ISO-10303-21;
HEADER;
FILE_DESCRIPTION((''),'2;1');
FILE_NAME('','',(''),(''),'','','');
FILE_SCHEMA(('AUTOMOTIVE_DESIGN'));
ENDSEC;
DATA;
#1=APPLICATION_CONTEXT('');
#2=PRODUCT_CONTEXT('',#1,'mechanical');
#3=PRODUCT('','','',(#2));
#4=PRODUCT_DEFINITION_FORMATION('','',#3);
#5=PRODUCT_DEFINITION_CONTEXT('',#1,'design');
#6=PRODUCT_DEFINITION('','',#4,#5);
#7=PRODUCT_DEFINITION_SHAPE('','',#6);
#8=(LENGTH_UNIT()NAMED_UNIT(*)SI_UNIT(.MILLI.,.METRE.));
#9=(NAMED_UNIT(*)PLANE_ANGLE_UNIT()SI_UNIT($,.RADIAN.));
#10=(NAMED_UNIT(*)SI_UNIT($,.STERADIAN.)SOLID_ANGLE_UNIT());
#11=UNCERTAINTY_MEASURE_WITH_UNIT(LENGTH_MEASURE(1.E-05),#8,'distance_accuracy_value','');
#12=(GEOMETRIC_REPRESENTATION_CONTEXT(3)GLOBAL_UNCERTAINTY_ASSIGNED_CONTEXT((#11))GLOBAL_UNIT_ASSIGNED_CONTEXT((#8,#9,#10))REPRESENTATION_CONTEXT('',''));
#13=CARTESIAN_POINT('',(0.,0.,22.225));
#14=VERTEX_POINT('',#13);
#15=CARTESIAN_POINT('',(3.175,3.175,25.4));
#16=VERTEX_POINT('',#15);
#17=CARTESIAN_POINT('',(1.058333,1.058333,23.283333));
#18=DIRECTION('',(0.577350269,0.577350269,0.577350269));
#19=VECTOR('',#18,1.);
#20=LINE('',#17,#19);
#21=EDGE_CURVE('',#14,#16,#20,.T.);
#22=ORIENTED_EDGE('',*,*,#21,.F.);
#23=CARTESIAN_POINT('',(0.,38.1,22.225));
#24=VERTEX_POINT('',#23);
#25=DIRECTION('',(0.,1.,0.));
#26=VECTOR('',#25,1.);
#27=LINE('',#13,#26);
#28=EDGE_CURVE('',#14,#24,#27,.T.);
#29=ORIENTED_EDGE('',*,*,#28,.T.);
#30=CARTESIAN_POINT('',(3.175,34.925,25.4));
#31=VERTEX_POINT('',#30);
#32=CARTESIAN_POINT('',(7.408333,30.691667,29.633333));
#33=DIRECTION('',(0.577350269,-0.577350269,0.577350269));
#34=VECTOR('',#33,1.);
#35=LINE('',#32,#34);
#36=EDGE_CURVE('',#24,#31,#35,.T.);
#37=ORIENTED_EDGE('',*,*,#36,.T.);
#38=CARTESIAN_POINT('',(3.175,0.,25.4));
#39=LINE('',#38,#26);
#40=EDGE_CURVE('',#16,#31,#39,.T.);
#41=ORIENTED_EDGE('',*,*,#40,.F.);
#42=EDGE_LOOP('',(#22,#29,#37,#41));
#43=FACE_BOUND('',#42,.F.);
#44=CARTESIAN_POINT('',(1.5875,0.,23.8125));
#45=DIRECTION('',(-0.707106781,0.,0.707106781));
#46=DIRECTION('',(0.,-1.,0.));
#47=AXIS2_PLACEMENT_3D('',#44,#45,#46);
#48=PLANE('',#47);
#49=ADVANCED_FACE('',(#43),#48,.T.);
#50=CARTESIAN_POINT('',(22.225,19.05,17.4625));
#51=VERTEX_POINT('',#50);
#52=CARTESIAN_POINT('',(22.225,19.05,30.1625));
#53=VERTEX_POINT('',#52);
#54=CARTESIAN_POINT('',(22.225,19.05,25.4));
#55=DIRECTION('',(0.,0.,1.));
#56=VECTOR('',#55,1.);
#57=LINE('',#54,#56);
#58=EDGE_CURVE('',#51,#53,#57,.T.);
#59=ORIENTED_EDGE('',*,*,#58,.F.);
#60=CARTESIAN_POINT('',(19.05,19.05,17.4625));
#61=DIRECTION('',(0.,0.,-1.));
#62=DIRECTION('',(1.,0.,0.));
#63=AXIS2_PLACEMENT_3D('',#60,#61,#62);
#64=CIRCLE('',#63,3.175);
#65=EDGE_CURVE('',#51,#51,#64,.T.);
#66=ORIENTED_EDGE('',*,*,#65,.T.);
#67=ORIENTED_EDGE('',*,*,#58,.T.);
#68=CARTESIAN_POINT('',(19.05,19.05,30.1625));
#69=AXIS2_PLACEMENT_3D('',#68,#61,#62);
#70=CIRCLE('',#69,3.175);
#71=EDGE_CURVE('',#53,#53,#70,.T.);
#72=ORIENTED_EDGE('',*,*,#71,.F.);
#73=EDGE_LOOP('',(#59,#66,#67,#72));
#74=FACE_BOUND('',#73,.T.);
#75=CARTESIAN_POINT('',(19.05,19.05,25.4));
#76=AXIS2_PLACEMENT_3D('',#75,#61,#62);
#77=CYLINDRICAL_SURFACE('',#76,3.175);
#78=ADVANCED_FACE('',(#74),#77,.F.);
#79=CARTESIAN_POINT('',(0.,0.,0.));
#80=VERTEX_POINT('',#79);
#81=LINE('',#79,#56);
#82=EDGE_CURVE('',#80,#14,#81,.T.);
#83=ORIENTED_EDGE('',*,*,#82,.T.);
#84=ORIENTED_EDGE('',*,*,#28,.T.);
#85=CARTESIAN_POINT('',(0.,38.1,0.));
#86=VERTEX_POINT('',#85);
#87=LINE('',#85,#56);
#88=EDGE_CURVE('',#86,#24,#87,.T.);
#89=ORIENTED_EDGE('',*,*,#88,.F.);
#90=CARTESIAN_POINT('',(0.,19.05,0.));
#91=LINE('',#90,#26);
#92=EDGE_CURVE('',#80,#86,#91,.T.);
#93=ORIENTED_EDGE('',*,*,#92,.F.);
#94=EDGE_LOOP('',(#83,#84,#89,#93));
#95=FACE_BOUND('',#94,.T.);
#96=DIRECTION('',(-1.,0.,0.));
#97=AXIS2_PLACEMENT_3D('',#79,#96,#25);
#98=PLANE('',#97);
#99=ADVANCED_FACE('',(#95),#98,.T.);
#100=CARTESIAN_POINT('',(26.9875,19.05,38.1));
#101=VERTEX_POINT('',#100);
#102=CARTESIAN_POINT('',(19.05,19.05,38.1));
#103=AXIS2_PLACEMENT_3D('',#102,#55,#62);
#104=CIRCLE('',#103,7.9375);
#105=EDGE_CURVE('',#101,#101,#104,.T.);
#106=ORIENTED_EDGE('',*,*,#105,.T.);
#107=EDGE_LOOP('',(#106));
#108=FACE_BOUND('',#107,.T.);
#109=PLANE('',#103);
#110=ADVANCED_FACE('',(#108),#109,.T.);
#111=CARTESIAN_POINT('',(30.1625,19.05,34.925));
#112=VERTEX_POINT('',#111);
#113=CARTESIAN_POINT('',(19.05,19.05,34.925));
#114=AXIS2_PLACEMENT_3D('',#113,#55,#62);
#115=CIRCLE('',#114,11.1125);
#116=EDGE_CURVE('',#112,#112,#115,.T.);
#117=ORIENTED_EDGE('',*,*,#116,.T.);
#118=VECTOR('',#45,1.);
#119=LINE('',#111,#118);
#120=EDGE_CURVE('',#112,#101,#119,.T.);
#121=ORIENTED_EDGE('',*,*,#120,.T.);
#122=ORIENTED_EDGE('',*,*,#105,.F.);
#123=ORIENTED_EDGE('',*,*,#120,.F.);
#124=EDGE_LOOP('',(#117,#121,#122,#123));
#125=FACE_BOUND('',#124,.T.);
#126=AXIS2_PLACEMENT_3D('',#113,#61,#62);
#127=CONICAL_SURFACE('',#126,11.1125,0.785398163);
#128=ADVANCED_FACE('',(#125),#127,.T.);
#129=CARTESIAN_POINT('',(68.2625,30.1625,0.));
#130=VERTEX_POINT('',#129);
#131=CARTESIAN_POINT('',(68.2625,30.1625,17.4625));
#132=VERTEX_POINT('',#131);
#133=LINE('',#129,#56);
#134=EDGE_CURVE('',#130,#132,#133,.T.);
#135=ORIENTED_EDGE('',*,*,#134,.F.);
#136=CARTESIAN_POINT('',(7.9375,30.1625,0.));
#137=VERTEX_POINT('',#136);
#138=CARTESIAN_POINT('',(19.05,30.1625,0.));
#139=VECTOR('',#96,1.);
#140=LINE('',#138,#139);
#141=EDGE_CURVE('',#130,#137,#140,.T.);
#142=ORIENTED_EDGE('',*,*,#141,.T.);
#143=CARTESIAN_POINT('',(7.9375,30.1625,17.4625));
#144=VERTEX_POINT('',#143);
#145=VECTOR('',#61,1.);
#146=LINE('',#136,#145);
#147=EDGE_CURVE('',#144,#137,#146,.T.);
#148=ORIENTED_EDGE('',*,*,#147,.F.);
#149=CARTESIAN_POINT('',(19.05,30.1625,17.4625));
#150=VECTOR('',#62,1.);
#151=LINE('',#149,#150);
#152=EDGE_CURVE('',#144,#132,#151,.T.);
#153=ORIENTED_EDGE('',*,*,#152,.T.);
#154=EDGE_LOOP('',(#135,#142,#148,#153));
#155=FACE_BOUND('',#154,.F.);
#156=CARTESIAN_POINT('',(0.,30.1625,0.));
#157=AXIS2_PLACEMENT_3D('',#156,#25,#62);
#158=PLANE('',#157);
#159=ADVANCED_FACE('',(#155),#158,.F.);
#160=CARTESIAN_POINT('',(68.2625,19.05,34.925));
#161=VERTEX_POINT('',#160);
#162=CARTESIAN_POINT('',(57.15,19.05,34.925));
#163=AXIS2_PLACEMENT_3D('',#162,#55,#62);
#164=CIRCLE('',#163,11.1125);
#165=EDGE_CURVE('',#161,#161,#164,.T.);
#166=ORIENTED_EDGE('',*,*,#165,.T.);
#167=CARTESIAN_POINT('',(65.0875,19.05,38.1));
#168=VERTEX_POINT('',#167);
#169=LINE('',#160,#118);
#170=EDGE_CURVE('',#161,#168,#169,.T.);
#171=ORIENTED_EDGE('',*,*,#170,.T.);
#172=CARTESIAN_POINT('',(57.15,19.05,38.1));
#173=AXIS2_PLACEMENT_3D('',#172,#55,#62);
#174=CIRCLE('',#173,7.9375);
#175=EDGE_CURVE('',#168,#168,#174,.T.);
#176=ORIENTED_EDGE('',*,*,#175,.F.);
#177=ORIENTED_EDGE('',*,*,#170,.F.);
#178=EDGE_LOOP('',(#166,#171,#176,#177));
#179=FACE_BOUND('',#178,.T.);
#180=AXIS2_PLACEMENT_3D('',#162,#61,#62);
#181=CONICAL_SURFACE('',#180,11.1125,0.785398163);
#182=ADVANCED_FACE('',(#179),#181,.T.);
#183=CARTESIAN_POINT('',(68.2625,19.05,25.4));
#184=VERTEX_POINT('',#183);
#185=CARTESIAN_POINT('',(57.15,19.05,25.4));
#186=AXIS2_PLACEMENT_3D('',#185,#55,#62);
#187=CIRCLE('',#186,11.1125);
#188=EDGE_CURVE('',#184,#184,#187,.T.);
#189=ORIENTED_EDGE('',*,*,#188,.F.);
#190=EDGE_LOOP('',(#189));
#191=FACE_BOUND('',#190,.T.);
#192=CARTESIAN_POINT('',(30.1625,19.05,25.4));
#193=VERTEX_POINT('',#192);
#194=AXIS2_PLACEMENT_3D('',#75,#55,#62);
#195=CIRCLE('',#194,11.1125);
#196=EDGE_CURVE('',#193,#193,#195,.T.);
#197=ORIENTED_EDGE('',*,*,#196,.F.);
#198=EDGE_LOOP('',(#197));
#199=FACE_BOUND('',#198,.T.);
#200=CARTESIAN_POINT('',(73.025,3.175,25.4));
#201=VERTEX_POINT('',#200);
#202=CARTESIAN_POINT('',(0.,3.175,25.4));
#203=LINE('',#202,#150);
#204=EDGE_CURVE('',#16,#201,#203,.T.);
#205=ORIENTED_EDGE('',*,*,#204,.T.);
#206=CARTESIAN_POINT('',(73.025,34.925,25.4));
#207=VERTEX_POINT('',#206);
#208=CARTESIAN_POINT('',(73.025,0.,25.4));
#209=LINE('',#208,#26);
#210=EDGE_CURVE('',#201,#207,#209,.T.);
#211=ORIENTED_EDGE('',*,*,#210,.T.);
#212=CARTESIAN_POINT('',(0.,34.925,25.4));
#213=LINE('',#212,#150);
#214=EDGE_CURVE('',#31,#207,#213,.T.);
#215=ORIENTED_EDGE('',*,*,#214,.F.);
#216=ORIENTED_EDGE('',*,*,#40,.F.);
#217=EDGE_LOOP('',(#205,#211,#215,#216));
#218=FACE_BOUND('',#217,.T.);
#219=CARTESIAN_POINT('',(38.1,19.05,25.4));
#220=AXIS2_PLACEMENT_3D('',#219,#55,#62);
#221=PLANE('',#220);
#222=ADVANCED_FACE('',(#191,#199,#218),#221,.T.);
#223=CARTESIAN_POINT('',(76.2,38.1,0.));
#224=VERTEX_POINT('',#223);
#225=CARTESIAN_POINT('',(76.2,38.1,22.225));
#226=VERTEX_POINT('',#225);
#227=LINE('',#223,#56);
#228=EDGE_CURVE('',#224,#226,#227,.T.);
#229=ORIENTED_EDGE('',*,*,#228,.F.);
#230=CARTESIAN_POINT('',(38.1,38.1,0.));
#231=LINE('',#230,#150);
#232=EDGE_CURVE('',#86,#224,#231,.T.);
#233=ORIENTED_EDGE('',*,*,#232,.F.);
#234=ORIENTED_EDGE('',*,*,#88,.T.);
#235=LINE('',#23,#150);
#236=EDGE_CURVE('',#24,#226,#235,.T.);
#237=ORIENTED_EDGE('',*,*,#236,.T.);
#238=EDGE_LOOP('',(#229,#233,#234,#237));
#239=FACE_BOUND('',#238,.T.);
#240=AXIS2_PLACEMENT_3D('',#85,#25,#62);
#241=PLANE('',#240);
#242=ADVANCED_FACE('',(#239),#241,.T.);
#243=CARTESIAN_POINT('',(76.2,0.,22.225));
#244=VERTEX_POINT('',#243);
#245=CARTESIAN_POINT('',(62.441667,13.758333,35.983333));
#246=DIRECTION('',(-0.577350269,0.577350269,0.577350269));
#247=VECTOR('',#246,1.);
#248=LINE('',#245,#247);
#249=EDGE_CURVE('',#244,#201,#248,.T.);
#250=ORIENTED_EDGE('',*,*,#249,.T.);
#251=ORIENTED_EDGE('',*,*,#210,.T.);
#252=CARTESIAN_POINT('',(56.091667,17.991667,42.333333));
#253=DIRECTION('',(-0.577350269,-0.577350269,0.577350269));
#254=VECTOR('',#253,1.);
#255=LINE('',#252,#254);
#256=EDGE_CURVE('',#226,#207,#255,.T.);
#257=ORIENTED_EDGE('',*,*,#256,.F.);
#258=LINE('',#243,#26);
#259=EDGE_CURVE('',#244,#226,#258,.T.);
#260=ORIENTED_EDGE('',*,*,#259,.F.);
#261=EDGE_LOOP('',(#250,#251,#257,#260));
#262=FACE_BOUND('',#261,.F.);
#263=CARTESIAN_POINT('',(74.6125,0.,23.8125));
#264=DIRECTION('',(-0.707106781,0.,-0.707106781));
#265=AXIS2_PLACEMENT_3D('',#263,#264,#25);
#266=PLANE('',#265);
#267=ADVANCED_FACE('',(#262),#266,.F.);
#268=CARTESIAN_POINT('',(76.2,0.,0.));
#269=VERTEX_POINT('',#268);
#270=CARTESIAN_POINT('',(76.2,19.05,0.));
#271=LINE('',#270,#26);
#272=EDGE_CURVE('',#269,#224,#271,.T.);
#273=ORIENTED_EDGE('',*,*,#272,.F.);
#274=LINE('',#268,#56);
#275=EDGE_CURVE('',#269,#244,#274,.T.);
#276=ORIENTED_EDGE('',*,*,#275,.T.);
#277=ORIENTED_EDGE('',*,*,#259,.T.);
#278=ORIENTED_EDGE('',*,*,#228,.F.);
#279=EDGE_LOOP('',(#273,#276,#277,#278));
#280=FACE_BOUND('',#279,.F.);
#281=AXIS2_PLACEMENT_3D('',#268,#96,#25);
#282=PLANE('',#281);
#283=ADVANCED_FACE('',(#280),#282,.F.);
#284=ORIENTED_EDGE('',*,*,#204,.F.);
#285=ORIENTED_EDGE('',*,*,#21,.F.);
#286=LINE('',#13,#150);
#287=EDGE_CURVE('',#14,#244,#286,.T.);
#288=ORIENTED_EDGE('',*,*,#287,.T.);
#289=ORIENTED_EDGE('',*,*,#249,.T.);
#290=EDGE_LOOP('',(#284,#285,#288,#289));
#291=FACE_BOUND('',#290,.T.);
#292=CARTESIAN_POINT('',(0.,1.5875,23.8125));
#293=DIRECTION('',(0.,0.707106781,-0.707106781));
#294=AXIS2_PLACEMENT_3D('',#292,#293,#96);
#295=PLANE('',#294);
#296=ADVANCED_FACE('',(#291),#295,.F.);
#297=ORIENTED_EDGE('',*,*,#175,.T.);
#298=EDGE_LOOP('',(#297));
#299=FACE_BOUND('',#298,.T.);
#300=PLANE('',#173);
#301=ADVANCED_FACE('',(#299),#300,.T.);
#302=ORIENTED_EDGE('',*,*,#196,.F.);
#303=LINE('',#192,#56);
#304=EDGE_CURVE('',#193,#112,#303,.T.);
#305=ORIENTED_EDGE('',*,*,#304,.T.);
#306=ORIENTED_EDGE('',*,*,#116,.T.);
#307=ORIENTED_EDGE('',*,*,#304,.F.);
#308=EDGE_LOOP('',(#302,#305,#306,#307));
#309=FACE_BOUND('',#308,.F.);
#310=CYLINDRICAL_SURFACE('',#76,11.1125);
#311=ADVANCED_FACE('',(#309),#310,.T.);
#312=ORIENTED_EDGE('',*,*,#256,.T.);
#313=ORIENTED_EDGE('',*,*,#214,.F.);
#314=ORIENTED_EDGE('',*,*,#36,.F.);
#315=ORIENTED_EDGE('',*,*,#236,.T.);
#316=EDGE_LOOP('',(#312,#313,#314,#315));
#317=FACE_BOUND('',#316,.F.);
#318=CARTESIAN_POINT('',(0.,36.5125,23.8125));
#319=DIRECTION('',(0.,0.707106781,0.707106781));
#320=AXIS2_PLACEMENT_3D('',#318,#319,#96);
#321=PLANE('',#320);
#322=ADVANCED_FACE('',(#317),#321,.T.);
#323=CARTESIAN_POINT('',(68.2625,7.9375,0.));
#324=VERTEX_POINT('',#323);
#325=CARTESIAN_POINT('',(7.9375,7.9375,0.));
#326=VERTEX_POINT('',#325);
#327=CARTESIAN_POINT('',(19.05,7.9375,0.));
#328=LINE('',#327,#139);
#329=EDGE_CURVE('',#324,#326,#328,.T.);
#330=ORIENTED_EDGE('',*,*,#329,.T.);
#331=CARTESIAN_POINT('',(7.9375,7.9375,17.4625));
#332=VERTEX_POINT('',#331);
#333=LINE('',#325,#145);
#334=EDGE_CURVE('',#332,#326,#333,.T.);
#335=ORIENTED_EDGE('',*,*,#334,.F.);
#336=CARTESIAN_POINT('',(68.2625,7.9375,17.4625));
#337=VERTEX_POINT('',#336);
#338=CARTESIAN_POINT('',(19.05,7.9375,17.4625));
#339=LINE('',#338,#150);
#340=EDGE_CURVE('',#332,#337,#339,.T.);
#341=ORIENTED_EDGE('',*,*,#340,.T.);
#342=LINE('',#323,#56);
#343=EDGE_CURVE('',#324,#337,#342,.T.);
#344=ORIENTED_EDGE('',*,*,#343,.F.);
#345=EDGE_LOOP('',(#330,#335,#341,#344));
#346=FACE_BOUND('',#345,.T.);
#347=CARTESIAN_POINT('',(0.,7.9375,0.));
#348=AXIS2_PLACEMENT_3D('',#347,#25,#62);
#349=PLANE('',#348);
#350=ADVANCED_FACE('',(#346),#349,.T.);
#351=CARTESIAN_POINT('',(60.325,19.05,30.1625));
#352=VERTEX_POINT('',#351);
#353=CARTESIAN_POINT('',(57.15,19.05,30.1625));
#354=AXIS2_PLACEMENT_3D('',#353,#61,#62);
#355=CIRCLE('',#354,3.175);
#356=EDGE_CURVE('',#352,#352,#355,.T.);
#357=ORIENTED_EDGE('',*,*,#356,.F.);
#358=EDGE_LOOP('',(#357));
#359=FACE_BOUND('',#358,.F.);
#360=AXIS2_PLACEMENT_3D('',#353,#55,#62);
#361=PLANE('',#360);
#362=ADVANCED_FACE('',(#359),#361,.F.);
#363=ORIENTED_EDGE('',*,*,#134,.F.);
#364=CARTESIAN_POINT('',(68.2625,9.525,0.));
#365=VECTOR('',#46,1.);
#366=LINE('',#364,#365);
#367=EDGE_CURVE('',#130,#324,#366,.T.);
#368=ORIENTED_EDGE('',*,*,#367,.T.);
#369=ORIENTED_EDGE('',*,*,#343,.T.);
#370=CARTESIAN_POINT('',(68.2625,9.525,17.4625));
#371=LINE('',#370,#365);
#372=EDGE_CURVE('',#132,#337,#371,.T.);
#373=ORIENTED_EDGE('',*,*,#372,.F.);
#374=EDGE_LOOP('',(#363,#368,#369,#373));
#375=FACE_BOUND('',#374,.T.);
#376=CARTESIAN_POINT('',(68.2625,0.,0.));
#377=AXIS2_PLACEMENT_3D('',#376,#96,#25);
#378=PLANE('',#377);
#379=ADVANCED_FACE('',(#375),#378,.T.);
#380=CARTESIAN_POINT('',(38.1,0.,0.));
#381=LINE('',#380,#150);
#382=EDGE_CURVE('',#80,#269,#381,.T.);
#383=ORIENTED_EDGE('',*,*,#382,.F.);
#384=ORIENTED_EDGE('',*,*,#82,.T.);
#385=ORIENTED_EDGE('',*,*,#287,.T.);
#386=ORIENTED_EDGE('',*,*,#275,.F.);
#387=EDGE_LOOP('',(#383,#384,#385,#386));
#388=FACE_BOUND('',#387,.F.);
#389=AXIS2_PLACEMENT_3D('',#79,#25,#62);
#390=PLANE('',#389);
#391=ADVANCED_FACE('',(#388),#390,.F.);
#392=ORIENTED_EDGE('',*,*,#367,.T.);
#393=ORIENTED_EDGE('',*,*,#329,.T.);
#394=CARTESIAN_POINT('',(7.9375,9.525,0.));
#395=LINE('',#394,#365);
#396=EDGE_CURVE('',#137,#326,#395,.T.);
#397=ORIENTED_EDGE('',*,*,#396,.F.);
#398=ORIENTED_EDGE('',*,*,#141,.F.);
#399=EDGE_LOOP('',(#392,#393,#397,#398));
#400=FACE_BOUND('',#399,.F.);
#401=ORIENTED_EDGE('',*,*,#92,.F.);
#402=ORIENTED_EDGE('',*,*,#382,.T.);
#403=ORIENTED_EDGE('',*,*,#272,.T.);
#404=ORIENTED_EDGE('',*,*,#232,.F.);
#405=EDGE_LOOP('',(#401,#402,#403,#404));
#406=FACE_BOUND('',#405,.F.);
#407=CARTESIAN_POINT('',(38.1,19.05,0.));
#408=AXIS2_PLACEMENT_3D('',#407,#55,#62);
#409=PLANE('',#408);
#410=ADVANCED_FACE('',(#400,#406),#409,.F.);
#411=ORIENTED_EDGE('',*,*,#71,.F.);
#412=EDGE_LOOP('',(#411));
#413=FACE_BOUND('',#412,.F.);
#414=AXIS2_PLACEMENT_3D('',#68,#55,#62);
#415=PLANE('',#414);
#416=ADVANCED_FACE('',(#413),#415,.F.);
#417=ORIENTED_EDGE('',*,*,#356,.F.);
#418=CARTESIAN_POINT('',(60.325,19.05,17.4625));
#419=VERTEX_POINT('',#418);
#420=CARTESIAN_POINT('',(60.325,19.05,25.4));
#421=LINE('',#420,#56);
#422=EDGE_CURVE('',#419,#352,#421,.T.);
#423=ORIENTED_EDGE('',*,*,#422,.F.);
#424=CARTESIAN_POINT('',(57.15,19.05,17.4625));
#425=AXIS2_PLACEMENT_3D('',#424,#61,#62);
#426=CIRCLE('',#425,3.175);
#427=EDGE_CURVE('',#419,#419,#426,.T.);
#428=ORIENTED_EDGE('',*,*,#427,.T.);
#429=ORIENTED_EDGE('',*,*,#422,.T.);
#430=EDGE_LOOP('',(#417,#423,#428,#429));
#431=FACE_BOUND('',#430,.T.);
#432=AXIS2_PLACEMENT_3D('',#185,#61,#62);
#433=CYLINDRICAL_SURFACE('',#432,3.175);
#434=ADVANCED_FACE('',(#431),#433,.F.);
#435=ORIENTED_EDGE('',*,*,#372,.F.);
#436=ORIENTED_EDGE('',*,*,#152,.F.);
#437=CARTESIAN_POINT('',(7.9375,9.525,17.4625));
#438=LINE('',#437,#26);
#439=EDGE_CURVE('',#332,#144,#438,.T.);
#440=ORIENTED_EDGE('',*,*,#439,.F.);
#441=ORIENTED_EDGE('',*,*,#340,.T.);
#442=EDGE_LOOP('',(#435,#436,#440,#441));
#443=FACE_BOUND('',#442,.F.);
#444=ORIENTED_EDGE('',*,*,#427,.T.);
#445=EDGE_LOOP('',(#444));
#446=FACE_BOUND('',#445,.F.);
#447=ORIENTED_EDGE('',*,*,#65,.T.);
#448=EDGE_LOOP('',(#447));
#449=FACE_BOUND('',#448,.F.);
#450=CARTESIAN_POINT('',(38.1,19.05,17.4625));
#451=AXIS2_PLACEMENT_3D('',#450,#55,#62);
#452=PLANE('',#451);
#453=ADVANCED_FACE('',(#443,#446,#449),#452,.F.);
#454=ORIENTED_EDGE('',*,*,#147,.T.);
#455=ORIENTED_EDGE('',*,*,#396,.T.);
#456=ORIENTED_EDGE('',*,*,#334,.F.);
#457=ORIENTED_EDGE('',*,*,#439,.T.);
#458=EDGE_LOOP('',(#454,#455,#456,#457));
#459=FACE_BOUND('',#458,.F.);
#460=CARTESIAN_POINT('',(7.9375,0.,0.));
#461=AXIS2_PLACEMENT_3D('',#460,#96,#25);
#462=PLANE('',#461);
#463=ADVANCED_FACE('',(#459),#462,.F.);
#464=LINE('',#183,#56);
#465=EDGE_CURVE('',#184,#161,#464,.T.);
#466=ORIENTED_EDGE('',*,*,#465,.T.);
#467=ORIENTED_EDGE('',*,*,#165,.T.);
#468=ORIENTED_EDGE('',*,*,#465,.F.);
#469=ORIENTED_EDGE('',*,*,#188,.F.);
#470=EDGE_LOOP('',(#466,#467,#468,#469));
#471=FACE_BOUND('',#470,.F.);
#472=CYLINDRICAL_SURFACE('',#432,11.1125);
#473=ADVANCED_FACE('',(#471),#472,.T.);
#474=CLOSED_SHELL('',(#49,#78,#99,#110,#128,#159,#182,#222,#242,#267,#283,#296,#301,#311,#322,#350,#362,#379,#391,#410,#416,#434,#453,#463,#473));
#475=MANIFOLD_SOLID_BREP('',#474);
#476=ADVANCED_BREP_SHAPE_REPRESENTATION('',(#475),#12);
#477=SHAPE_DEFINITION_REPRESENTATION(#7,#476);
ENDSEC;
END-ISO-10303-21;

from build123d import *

# Parameters (mm, degrees)
F0_W     = 76.2
F0_H     = 38.1
F1_DEPTH = 25.4
F2_R     = 11.1125
F3_DEPTH = 12.7
F4_T     = -7.9375
F5_SIZE  = 3.175


with BuildPart() as f1:
    # F0 (on Top) → F1 (new body)
    with BuildSketch(Plane.XY):
        with Locations((38.1, 19.05)):
            Rectangle(F0_W, F0_H)
    extrude(amount=F1_DEPTH)

    # F2 (on face) → F3 (join)
    with BuildSketch(Plane.XY.offset(25.4)):
        with Locations((57.15, 19.05)):
            Circle(F2_R)
        with Locations((19.05, 19.05)):
            Circle(F2_R)
    extrude(amount=F3_DEPTH)

    # F4
    f4_openings = [f1.faces().sort_by_distance(p)[0] for p in [
        (38.1, 19.05, 0),
    ]]
    offset(amount=F4_T, openings=f4_openings, kind=Kind.INTERSECTION)

    # F5
    f5_edges = [f1.edges().sort_by_distance(p)[0] for p in [
        (38.1, 0, 25.4),
        (0, 19.05, 25.4),
        (38.1, 38.1, 25.4),
        (7.9375, 19.05, 38.1),
        (46.0375, 19.05, 38.1),
        (76.2, 19.05, 25.4),
    ]]
    chamfer(f5_edges, length=F5_SIZE)


solid = f1.part
